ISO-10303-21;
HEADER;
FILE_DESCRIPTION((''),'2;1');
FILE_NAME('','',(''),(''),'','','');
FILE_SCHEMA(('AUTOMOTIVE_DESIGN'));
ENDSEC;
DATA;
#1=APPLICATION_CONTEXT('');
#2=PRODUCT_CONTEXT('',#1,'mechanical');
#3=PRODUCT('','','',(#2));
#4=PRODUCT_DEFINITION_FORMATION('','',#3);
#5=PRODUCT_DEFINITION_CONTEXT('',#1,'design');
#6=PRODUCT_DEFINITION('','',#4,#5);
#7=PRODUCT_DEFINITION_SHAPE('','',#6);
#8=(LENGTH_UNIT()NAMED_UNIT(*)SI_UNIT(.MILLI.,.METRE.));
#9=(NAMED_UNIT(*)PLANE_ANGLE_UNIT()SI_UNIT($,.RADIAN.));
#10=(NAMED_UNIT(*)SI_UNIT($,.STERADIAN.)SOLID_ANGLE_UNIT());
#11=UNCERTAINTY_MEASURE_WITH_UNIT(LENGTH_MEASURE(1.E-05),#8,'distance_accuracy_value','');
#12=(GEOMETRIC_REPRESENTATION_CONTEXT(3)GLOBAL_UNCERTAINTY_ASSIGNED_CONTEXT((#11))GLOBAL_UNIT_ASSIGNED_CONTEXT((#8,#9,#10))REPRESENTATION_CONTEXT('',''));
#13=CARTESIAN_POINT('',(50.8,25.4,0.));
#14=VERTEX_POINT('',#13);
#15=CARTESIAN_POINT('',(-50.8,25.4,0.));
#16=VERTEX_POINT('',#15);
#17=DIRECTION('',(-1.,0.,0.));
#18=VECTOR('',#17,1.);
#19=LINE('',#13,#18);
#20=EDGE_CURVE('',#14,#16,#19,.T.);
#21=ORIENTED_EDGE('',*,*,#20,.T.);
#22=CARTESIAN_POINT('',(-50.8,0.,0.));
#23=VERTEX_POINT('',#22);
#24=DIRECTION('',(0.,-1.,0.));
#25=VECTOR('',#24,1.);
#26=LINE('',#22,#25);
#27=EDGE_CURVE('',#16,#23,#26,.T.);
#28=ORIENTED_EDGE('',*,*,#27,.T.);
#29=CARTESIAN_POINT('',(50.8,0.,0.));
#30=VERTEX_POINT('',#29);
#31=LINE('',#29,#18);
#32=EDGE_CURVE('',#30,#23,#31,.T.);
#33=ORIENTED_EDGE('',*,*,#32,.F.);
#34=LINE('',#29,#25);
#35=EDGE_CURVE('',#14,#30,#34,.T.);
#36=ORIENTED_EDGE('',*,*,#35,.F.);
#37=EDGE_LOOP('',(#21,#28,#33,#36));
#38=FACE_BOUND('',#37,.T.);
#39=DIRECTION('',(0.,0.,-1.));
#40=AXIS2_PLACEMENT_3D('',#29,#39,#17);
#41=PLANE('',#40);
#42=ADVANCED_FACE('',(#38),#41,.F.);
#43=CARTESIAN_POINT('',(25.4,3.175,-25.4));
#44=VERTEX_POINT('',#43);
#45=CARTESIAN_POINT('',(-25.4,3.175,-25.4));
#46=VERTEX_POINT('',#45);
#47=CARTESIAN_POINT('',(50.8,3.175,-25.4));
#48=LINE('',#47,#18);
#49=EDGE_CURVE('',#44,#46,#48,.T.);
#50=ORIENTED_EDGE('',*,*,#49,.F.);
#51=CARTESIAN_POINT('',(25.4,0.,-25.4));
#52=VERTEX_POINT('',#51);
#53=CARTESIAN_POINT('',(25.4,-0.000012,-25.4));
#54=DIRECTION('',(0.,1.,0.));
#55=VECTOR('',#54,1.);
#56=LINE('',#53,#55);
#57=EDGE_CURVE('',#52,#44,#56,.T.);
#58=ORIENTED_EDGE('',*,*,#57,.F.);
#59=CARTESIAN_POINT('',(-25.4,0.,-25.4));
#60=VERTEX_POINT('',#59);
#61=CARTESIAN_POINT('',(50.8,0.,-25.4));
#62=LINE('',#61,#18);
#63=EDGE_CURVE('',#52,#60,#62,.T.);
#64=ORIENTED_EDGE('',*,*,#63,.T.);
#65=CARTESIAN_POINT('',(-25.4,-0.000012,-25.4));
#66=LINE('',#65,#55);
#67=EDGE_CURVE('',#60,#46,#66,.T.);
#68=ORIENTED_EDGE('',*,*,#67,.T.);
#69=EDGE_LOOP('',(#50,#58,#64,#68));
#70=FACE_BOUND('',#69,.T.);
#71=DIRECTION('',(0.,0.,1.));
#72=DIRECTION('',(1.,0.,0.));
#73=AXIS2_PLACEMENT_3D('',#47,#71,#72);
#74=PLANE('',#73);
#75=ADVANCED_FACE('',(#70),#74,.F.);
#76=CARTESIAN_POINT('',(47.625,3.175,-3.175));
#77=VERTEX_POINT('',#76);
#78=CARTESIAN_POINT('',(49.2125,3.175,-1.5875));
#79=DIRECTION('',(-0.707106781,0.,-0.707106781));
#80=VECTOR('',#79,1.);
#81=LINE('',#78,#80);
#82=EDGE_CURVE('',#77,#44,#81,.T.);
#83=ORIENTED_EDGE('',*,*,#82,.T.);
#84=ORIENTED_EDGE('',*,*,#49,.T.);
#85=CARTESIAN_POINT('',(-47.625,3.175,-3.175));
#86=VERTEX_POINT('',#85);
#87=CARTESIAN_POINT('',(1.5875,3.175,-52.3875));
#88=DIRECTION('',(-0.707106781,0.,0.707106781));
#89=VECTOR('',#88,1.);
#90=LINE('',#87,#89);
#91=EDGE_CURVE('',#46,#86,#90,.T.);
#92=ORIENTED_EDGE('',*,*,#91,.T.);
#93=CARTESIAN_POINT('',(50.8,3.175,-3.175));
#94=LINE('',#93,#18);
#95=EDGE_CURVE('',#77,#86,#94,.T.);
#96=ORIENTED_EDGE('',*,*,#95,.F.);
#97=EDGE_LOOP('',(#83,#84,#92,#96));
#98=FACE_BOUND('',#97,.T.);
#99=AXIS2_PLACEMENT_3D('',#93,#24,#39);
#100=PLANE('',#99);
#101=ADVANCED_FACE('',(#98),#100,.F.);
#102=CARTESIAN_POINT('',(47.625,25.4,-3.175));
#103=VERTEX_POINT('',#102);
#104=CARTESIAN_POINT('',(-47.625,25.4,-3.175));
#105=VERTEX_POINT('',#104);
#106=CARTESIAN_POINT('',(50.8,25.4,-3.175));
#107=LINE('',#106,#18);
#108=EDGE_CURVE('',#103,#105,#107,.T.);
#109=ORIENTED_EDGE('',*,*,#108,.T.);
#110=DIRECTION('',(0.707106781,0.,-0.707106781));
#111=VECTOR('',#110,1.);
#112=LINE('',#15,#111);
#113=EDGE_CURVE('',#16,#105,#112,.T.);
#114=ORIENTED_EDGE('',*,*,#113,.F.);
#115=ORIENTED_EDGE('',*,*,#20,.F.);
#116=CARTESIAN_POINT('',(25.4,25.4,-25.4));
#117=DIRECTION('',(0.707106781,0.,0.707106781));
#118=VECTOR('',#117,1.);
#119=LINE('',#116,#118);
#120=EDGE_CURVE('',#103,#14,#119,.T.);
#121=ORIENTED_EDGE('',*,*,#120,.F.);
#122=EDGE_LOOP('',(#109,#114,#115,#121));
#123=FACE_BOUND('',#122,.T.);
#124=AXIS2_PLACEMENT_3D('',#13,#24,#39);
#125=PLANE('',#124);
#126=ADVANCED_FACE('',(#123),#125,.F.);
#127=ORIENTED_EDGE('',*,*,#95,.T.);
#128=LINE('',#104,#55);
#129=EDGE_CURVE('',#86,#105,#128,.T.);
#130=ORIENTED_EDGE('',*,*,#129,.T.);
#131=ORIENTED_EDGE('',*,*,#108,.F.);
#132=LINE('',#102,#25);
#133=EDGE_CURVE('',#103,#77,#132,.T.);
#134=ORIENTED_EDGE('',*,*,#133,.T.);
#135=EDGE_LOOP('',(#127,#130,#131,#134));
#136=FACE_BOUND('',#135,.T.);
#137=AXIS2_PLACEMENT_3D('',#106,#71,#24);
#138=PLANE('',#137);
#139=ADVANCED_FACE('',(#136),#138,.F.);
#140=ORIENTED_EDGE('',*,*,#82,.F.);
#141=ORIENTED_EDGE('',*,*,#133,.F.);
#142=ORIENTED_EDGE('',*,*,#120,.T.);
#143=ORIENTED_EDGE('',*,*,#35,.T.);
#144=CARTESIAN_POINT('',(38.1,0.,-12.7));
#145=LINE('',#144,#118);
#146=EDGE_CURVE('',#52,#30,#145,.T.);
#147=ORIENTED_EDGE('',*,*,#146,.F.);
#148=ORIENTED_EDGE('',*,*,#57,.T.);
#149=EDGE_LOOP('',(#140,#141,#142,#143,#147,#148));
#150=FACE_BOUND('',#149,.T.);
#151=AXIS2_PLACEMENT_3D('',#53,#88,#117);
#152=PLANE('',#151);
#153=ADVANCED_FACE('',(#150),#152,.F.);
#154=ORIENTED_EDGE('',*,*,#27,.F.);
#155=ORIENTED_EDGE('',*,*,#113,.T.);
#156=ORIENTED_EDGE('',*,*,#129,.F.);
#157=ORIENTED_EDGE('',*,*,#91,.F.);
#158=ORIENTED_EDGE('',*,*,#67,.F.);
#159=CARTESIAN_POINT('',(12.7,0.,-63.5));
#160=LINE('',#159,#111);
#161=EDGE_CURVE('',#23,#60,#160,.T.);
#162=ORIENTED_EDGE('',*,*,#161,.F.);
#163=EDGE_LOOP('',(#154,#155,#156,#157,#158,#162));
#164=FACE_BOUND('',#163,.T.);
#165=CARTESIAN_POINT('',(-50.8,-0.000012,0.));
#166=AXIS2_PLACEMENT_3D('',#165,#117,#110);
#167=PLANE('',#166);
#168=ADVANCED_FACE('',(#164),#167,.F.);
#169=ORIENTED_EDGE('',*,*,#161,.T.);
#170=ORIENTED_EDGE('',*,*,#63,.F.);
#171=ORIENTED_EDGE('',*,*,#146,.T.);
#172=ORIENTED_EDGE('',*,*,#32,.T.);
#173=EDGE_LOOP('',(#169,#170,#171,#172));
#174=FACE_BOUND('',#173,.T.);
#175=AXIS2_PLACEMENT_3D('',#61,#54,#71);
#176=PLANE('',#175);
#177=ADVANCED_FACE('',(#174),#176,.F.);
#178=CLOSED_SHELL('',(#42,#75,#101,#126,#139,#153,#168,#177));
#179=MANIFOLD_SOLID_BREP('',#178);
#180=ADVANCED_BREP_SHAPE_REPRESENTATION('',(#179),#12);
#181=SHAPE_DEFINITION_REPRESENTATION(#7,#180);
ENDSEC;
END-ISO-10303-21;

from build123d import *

# Parameters (mm, degrees)
BOSS_EXTRUDE1_DEPTH     = 50.8
CUT_EXTRUDE1_DEPTH      = 26.4
CUT_EXTRUDE1_DEPTH_BACK = 1


with BuildPart() as part:
    # Sketch1 → Boss-Extrude1 (new body, symmetric)
    with BuildSketch(Plane(origin=(0, 0, 0), x_dir=(0, 0, -1), z_dir=(1, 0, 0))):
        Polygon((0, 0), (0, 25.4), (3.175, 25.4), (3.175, 3.175), (25.4, 3.175), (25.4, 0), align=None)
    extrude(amount=BOSS_EXTRUDE1_DEPTH, both=True)

    # Sketch2 → Cut-Extrude1 (cut, two sides)
    with BuildSketch(Plane(origin=(0, 0, 0), x_dir=(1, 0, 0), z_dir=(0, 1, 0))) as cut_extrude1_sk:
        Polygon((-50.8, 0), (-25.4, 25.4), (-50.8, 25.4), align=None)
        Polygon((50.8, 0), (50.8, 25.4), (25.4, 25.4), align=None)
    extrude(amount=CUT_EXTRUDE1_DEPTH, mode=Mode.SUBTRACT)
    extrude(cut_extrude1_sk.sketch, amount=-CUT_EXTRUDE1_DEPTH_BACK, mode=Mode.SUBTRACT)


solid = part.part
